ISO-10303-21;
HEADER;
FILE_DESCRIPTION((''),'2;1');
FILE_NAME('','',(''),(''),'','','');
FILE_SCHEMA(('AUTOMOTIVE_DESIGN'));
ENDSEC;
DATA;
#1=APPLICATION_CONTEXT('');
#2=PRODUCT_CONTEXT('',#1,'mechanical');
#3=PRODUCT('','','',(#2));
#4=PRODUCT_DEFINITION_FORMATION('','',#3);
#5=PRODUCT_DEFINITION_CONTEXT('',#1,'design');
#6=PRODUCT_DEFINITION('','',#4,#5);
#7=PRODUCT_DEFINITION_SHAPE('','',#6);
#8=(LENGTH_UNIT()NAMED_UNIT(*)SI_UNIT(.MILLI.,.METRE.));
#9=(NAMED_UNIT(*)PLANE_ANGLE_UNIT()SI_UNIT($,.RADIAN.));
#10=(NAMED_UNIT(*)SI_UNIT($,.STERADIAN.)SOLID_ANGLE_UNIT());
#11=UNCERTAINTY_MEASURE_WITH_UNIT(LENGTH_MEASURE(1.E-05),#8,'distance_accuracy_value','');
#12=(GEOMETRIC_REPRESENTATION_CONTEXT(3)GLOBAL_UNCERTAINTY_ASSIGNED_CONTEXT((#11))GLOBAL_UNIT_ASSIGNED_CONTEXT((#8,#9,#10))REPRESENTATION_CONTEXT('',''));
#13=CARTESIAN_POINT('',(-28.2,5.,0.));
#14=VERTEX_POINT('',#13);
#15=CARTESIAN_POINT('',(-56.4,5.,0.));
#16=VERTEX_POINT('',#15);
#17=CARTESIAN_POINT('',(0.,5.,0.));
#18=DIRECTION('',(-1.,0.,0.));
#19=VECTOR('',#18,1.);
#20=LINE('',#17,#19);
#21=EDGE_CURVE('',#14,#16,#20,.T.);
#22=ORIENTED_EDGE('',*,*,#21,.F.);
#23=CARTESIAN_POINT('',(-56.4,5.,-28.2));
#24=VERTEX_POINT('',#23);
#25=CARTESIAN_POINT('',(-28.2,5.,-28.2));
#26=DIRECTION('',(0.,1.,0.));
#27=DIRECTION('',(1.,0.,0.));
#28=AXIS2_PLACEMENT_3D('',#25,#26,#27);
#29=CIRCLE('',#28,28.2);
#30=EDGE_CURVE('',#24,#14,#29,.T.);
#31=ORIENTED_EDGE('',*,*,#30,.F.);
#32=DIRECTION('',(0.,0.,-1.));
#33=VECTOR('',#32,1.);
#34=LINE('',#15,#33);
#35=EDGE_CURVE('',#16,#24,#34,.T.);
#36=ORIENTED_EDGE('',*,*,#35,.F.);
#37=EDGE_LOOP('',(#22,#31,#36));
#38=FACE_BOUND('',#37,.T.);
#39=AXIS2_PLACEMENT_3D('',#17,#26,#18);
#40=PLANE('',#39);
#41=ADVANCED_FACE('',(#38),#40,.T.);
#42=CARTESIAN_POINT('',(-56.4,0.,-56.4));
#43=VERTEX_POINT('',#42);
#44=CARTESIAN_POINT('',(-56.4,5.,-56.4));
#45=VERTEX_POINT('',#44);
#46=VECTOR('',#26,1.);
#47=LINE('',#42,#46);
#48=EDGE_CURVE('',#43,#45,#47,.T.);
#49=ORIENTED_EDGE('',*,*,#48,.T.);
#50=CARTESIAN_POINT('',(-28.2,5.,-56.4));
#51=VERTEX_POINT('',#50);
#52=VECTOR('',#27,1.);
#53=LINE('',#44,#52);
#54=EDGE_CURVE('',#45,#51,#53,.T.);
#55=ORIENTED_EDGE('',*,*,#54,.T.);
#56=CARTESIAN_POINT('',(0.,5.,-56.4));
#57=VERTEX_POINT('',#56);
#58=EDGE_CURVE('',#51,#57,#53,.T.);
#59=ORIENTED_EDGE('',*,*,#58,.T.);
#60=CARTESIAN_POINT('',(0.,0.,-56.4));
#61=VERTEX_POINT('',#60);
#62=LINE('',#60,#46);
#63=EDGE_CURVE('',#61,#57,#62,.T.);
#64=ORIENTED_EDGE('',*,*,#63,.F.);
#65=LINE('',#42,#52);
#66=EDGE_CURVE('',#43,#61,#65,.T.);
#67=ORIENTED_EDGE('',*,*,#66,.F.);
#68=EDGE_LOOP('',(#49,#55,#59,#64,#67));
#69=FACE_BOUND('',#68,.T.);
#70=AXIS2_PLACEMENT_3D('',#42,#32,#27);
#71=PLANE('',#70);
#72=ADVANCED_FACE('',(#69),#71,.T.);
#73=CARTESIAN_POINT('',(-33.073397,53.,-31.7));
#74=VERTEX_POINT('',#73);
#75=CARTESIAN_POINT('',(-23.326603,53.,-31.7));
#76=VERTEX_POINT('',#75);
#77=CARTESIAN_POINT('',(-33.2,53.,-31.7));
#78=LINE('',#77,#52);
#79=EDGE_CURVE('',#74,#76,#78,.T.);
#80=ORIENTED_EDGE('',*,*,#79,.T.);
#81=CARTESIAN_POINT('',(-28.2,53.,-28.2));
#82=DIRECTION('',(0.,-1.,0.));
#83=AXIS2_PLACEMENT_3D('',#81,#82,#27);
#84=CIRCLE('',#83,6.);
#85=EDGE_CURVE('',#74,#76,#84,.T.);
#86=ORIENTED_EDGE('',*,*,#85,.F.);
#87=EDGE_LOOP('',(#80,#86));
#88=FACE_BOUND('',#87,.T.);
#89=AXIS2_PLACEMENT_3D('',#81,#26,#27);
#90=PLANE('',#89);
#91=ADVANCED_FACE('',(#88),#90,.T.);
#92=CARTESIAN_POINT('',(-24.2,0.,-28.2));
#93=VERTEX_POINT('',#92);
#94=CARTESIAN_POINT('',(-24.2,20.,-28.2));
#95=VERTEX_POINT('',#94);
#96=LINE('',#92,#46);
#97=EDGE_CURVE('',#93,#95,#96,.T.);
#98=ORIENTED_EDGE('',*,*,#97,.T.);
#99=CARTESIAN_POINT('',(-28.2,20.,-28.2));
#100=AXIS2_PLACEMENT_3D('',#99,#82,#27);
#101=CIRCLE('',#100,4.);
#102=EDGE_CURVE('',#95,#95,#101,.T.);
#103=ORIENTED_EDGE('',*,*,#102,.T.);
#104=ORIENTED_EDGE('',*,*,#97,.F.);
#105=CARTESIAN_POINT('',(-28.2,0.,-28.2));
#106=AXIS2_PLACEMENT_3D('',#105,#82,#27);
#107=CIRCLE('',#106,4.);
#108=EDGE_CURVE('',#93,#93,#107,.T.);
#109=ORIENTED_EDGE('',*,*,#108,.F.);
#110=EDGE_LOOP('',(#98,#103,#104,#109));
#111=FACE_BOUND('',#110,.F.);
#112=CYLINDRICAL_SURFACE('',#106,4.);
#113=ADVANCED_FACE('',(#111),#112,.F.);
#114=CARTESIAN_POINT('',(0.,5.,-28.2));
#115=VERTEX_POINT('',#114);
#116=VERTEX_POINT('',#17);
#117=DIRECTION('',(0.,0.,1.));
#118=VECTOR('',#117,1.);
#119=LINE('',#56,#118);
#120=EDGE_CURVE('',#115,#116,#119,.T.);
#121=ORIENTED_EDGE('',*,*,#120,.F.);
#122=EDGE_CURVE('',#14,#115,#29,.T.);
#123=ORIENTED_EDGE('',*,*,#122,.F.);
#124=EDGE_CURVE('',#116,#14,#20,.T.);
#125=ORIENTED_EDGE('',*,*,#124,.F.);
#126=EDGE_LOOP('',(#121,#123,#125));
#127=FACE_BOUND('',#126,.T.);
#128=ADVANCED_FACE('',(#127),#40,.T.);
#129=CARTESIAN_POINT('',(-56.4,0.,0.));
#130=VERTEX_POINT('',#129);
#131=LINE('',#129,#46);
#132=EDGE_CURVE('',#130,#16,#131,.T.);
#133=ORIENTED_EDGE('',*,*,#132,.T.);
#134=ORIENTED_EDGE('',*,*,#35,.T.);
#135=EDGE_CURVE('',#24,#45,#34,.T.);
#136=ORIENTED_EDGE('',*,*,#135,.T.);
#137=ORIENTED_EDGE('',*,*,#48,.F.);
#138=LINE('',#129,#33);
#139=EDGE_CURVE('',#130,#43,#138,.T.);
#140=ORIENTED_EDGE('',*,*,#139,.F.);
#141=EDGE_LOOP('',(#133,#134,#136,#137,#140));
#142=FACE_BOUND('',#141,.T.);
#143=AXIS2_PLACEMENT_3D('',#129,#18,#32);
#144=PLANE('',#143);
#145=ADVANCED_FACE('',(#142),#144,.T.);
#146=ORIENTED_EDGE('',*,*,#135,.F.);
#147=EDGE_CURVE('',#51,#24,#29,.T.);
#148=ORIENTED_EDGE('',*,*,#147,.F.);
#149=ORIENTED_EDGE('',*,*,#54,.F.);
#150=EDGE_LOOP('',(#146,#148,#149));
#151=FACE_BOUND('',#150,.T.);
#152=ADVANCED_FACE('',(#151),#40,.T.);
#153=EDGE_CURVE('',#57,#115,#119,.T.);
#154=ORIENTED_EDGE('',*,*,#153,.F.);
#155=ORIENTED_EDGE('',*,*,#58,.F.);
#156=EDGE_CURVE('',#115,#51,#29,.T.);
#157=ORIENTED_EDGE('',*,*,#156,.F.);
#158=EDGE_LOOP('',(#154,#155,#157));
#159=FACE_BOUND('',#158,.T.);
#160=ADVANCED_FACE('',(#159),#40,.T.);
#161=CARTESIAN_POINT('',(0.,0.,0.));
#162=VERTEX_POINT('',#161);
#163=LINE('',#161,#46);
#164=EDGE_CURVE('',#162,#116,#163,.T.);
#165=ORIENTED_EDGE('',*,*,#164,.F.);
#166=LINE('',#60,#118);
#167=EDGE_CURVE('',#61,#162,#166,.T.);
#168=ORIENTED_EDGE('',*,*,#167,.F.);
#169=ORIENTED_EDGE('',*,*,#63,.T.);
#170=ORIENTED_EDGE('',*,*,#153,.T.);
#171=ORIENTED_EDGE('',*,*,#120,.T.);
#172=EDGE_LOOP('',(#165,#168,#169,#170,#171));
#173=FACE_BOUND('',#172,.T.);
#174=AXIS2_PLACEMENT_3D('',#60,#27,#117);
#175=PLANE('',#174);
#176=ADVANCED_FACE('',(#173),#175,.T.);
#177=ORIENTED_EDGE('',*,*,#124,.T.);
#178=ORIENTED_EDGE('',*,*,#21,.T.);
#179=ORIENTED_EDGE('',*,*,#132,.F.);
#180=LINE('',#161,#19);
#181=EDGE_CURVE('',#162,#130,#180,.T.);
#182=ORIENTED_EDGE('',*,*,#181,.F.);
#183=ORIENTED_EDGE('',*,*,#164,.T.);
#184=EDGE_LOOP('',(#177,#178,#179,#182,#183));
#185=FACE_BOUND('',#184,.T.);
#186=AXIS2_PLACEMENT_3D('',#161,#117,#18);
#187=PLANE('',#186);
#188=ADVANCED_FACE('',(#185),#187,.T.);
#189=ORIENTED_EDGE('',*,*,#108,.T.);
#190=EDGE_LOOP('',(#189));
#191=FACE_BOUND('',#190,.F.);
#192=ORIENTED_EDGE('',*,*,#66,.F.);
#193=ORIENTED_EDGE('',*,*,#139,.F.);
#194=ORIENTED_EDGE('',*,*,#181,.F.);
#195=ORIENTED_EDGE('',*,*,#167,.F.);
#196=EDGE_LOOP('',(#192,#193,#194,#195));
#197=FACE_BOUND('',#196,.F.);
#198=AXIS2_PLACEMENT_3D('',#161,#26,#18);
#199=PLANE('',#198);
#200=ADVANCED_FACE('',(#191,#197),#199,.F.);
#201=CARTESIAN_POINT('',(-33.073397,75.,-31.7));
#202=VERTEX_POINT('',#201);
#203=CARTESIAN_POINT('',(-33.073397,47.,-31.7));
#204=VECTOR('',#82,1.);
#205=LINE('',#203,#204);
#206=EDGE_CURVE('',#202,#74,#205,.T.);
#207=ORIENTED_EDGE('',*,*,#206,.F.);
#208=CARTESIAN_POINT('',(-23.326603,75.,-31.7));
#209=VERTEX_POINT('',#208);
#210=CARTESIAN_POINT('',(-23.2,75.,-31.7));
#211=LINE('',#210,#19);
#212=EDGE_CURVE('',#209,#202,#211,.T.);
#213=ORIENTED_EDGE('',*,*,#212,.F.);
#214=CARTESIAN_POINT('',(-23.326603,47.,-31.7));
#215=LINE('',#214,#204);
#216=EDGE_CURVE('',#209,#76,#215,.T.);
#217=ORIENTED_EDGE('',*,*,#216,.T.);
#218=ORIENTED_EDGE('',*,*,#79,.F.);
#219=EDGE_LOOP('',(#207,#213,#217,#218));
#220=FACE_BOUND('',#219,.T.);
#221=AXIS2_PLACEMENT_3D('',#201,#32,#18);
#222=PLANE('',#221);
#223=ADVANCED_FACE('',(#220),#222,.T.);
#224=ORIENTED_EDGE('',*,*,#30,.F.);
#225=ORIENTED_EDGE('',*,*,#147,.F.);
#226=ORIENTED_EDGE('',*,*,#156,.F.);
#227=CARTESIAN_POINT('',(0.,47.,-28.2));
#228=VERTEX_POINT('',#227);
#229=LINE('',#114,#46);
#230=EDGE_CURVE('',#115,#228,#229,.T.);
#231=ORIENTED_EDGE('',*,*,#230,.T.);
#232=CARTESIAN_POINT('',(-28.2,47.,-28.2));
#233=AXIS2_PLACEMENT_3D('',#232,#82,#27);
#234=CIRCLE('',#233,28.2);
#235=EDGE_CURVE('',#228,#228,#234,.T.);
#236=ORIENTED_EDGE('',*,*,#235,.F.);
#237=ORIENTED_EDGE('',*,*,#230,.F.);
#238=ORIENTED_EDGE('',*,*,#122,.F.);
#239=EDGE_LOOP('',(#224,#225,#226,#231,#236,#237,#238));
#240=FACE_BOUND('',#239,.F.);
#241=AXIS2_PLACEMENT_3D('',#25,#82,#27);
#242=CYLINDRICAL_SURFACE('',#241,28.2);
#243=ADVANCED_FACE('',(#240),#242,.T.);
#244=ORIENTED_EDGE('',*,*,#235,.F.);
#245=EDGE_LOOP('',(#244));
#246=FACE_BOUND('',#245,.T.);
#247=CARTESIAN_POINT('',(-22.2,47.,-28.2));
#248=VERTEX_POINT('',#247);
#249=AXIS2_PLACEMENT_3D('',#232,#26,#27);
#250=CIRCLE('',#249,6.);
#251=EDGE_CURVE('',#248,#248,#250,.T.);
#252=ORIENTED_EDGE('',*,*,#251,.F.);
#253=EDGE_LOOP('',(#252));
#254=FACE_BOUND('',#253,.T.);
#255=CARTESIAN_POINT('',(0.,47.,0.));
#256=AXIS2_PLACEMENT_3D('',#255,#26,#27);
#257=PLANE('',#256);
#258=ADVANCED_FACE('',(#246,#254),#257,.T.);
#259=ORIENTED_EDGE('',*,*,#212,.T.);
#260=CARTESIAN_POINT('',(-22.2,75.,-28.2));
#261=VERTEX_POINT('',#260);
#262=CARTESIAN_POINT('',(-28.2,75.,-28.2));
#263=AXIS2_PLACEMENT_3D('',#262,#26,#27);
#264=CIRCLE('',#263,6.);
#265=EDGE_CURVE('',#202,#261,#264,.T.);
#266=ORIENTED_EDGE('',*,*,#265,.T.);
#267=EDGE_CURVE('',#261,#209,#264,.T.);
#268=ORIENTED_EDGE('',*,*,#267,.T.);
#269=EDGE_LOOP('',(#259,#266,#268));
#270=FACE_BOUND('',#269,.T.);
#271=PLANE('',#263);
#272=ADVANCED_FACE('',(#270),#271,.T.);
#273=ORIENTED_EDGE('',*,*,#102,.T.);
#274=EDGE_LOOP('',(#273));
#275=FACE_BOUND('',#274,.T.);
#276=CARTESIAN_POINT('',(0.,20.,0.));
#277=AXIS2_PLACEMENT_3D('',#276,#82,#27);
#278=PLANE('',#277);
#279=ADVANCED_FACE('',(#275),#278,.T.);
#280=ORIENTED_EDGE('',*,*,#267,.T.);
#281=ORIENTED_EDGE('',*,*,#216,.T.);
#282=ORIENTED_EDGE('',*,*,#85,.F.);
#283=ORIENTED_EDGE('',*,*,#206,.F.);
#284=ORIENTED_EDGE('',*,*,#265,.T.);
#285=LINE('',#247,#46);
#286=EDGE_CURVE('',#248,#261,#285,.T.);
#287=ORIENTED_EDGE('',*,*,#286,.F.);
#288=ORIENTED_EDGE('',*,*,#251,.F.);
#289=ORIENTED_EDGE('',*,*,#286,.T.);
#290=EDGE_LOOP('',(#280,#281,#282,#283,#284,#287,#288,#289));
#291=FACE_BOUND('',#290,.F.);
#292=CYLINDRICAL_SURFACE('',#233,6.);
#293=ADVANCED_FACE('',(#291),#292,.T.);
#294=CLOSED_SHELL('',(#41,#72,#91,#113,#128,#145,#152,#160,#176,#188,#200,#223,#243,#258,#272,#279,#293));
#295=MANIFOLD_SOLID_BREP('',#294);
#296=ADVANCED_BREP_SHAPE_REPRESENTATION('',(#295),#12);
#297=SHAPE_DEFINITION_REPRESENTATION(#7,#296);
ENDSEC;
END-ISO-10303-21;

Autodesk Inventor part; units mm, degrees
ref_plane "YZ Plane" through (0, 0, 0) normal (1, 0, 0) x (0, 1, 0)
ref_plane "XZ Plane" through (0, 0, 0) normal (0, 1, 0) x (-1, 0, 0)
ref_plane "XY Plane" through (0, 0, 0) normal (0, 0, 1) x (1, 0, 0)
sketch "Sketch1" plane through (0, 0, 0) normal (0, 1, 0) x (-1, 0, 0)
  line L0 (0, 0) -> (56.4, 0)
  line L1 (56.4, 0) -> (56.4, -56.4)
  line L2 (56.4, -56.4) -> (0, -56.4)
  line L3 (0, -56.4) -> (0, 0)
  dimension "d0" = 56.4
  dimension "d1" = 56.4
extrude "Extrusion1" add sketch "Sketch1" along normal blind 5
sketch "Sketch2" plane through (0, 5, 0) normal (0, 1, 0) x (1, 0, 0)
  circle A0 centre (-28.2, 28.2) radius 28.2
  line L0 (-56.4, 0) -> (0, 0) projected
  line L1 (-56.4, 56.4) -> (-56.4, 0) projected
  dimension "d4" = 56.4
  dimension "d5" = 28.2
  dimension "d6" = 28.2
extrude "Extrusion2" add sketch "Sketch2" along normal blind 42 contours A0
sketch "Sketch3" plane through (-28.2, 47, -28.2) normal (0, 1, 0) x (1, 0, 0)
  arc A0 (0, 28.2) -> (-28.2, 0) centre (0, 0) ccw projected
  circle A1 centre (0, 0) radius 6
  point P0 (28.2, -28.2)
  dimension "d9" = 12
extrude "g" add sketch "Sketch3" along normal blind 28
sketch "Sketch4" plane through (-28.2, 75, -28.2) normal (0, 1, 0) x (1, 0, 0)
  circle A0 centre (0, 0) radius 6 projected
  line L0 (0, 0) -> (0, -6)
  line L1 (0, 0) -> (0, 3.5)
  line L2 (0, 3.5) -> (-5, 3.5)
  line L3 (0, 3.5) -> (5, 3.5)
  line L4 (5, 3.5) -> (-5, 3.5)
  line L5 (-5, 3.5) -> (-5, 8.5)
  line L6 (-5, 8.5) -> (5, 8.5)
  line L7 (5, 8.5) -> (5, 3.5)
  point P0 (28.2, -28.2)
  dimension "d12" = 3.5
  dimension "d13" = 5
  dimension "d14" = 5
  dimension "d15" = 10
  dimension "d16" = 5
extrude "Extrusion4" cut sketch "Sketch4" against normal blind 22 contours L2 L5 L6 L7 L3 A0 | A0 L3 L2
sketch "Sketch5" plane through (0, 0, 0) normal (0, -1, 0) x (1, 0, 0)
  circle A0 centre (-28.2, -28.2) radius 28.2 projected
  circle A1 centre (-28.2, -28.2) radius 4
  point P0 (0, 0)
  dimension "d19" = 8
extrude "Extrusion5" cut sketch "Sketch5" against normal blind 20 contours A1
properties part number "2804S_NEMA2115_1Gearbox"
